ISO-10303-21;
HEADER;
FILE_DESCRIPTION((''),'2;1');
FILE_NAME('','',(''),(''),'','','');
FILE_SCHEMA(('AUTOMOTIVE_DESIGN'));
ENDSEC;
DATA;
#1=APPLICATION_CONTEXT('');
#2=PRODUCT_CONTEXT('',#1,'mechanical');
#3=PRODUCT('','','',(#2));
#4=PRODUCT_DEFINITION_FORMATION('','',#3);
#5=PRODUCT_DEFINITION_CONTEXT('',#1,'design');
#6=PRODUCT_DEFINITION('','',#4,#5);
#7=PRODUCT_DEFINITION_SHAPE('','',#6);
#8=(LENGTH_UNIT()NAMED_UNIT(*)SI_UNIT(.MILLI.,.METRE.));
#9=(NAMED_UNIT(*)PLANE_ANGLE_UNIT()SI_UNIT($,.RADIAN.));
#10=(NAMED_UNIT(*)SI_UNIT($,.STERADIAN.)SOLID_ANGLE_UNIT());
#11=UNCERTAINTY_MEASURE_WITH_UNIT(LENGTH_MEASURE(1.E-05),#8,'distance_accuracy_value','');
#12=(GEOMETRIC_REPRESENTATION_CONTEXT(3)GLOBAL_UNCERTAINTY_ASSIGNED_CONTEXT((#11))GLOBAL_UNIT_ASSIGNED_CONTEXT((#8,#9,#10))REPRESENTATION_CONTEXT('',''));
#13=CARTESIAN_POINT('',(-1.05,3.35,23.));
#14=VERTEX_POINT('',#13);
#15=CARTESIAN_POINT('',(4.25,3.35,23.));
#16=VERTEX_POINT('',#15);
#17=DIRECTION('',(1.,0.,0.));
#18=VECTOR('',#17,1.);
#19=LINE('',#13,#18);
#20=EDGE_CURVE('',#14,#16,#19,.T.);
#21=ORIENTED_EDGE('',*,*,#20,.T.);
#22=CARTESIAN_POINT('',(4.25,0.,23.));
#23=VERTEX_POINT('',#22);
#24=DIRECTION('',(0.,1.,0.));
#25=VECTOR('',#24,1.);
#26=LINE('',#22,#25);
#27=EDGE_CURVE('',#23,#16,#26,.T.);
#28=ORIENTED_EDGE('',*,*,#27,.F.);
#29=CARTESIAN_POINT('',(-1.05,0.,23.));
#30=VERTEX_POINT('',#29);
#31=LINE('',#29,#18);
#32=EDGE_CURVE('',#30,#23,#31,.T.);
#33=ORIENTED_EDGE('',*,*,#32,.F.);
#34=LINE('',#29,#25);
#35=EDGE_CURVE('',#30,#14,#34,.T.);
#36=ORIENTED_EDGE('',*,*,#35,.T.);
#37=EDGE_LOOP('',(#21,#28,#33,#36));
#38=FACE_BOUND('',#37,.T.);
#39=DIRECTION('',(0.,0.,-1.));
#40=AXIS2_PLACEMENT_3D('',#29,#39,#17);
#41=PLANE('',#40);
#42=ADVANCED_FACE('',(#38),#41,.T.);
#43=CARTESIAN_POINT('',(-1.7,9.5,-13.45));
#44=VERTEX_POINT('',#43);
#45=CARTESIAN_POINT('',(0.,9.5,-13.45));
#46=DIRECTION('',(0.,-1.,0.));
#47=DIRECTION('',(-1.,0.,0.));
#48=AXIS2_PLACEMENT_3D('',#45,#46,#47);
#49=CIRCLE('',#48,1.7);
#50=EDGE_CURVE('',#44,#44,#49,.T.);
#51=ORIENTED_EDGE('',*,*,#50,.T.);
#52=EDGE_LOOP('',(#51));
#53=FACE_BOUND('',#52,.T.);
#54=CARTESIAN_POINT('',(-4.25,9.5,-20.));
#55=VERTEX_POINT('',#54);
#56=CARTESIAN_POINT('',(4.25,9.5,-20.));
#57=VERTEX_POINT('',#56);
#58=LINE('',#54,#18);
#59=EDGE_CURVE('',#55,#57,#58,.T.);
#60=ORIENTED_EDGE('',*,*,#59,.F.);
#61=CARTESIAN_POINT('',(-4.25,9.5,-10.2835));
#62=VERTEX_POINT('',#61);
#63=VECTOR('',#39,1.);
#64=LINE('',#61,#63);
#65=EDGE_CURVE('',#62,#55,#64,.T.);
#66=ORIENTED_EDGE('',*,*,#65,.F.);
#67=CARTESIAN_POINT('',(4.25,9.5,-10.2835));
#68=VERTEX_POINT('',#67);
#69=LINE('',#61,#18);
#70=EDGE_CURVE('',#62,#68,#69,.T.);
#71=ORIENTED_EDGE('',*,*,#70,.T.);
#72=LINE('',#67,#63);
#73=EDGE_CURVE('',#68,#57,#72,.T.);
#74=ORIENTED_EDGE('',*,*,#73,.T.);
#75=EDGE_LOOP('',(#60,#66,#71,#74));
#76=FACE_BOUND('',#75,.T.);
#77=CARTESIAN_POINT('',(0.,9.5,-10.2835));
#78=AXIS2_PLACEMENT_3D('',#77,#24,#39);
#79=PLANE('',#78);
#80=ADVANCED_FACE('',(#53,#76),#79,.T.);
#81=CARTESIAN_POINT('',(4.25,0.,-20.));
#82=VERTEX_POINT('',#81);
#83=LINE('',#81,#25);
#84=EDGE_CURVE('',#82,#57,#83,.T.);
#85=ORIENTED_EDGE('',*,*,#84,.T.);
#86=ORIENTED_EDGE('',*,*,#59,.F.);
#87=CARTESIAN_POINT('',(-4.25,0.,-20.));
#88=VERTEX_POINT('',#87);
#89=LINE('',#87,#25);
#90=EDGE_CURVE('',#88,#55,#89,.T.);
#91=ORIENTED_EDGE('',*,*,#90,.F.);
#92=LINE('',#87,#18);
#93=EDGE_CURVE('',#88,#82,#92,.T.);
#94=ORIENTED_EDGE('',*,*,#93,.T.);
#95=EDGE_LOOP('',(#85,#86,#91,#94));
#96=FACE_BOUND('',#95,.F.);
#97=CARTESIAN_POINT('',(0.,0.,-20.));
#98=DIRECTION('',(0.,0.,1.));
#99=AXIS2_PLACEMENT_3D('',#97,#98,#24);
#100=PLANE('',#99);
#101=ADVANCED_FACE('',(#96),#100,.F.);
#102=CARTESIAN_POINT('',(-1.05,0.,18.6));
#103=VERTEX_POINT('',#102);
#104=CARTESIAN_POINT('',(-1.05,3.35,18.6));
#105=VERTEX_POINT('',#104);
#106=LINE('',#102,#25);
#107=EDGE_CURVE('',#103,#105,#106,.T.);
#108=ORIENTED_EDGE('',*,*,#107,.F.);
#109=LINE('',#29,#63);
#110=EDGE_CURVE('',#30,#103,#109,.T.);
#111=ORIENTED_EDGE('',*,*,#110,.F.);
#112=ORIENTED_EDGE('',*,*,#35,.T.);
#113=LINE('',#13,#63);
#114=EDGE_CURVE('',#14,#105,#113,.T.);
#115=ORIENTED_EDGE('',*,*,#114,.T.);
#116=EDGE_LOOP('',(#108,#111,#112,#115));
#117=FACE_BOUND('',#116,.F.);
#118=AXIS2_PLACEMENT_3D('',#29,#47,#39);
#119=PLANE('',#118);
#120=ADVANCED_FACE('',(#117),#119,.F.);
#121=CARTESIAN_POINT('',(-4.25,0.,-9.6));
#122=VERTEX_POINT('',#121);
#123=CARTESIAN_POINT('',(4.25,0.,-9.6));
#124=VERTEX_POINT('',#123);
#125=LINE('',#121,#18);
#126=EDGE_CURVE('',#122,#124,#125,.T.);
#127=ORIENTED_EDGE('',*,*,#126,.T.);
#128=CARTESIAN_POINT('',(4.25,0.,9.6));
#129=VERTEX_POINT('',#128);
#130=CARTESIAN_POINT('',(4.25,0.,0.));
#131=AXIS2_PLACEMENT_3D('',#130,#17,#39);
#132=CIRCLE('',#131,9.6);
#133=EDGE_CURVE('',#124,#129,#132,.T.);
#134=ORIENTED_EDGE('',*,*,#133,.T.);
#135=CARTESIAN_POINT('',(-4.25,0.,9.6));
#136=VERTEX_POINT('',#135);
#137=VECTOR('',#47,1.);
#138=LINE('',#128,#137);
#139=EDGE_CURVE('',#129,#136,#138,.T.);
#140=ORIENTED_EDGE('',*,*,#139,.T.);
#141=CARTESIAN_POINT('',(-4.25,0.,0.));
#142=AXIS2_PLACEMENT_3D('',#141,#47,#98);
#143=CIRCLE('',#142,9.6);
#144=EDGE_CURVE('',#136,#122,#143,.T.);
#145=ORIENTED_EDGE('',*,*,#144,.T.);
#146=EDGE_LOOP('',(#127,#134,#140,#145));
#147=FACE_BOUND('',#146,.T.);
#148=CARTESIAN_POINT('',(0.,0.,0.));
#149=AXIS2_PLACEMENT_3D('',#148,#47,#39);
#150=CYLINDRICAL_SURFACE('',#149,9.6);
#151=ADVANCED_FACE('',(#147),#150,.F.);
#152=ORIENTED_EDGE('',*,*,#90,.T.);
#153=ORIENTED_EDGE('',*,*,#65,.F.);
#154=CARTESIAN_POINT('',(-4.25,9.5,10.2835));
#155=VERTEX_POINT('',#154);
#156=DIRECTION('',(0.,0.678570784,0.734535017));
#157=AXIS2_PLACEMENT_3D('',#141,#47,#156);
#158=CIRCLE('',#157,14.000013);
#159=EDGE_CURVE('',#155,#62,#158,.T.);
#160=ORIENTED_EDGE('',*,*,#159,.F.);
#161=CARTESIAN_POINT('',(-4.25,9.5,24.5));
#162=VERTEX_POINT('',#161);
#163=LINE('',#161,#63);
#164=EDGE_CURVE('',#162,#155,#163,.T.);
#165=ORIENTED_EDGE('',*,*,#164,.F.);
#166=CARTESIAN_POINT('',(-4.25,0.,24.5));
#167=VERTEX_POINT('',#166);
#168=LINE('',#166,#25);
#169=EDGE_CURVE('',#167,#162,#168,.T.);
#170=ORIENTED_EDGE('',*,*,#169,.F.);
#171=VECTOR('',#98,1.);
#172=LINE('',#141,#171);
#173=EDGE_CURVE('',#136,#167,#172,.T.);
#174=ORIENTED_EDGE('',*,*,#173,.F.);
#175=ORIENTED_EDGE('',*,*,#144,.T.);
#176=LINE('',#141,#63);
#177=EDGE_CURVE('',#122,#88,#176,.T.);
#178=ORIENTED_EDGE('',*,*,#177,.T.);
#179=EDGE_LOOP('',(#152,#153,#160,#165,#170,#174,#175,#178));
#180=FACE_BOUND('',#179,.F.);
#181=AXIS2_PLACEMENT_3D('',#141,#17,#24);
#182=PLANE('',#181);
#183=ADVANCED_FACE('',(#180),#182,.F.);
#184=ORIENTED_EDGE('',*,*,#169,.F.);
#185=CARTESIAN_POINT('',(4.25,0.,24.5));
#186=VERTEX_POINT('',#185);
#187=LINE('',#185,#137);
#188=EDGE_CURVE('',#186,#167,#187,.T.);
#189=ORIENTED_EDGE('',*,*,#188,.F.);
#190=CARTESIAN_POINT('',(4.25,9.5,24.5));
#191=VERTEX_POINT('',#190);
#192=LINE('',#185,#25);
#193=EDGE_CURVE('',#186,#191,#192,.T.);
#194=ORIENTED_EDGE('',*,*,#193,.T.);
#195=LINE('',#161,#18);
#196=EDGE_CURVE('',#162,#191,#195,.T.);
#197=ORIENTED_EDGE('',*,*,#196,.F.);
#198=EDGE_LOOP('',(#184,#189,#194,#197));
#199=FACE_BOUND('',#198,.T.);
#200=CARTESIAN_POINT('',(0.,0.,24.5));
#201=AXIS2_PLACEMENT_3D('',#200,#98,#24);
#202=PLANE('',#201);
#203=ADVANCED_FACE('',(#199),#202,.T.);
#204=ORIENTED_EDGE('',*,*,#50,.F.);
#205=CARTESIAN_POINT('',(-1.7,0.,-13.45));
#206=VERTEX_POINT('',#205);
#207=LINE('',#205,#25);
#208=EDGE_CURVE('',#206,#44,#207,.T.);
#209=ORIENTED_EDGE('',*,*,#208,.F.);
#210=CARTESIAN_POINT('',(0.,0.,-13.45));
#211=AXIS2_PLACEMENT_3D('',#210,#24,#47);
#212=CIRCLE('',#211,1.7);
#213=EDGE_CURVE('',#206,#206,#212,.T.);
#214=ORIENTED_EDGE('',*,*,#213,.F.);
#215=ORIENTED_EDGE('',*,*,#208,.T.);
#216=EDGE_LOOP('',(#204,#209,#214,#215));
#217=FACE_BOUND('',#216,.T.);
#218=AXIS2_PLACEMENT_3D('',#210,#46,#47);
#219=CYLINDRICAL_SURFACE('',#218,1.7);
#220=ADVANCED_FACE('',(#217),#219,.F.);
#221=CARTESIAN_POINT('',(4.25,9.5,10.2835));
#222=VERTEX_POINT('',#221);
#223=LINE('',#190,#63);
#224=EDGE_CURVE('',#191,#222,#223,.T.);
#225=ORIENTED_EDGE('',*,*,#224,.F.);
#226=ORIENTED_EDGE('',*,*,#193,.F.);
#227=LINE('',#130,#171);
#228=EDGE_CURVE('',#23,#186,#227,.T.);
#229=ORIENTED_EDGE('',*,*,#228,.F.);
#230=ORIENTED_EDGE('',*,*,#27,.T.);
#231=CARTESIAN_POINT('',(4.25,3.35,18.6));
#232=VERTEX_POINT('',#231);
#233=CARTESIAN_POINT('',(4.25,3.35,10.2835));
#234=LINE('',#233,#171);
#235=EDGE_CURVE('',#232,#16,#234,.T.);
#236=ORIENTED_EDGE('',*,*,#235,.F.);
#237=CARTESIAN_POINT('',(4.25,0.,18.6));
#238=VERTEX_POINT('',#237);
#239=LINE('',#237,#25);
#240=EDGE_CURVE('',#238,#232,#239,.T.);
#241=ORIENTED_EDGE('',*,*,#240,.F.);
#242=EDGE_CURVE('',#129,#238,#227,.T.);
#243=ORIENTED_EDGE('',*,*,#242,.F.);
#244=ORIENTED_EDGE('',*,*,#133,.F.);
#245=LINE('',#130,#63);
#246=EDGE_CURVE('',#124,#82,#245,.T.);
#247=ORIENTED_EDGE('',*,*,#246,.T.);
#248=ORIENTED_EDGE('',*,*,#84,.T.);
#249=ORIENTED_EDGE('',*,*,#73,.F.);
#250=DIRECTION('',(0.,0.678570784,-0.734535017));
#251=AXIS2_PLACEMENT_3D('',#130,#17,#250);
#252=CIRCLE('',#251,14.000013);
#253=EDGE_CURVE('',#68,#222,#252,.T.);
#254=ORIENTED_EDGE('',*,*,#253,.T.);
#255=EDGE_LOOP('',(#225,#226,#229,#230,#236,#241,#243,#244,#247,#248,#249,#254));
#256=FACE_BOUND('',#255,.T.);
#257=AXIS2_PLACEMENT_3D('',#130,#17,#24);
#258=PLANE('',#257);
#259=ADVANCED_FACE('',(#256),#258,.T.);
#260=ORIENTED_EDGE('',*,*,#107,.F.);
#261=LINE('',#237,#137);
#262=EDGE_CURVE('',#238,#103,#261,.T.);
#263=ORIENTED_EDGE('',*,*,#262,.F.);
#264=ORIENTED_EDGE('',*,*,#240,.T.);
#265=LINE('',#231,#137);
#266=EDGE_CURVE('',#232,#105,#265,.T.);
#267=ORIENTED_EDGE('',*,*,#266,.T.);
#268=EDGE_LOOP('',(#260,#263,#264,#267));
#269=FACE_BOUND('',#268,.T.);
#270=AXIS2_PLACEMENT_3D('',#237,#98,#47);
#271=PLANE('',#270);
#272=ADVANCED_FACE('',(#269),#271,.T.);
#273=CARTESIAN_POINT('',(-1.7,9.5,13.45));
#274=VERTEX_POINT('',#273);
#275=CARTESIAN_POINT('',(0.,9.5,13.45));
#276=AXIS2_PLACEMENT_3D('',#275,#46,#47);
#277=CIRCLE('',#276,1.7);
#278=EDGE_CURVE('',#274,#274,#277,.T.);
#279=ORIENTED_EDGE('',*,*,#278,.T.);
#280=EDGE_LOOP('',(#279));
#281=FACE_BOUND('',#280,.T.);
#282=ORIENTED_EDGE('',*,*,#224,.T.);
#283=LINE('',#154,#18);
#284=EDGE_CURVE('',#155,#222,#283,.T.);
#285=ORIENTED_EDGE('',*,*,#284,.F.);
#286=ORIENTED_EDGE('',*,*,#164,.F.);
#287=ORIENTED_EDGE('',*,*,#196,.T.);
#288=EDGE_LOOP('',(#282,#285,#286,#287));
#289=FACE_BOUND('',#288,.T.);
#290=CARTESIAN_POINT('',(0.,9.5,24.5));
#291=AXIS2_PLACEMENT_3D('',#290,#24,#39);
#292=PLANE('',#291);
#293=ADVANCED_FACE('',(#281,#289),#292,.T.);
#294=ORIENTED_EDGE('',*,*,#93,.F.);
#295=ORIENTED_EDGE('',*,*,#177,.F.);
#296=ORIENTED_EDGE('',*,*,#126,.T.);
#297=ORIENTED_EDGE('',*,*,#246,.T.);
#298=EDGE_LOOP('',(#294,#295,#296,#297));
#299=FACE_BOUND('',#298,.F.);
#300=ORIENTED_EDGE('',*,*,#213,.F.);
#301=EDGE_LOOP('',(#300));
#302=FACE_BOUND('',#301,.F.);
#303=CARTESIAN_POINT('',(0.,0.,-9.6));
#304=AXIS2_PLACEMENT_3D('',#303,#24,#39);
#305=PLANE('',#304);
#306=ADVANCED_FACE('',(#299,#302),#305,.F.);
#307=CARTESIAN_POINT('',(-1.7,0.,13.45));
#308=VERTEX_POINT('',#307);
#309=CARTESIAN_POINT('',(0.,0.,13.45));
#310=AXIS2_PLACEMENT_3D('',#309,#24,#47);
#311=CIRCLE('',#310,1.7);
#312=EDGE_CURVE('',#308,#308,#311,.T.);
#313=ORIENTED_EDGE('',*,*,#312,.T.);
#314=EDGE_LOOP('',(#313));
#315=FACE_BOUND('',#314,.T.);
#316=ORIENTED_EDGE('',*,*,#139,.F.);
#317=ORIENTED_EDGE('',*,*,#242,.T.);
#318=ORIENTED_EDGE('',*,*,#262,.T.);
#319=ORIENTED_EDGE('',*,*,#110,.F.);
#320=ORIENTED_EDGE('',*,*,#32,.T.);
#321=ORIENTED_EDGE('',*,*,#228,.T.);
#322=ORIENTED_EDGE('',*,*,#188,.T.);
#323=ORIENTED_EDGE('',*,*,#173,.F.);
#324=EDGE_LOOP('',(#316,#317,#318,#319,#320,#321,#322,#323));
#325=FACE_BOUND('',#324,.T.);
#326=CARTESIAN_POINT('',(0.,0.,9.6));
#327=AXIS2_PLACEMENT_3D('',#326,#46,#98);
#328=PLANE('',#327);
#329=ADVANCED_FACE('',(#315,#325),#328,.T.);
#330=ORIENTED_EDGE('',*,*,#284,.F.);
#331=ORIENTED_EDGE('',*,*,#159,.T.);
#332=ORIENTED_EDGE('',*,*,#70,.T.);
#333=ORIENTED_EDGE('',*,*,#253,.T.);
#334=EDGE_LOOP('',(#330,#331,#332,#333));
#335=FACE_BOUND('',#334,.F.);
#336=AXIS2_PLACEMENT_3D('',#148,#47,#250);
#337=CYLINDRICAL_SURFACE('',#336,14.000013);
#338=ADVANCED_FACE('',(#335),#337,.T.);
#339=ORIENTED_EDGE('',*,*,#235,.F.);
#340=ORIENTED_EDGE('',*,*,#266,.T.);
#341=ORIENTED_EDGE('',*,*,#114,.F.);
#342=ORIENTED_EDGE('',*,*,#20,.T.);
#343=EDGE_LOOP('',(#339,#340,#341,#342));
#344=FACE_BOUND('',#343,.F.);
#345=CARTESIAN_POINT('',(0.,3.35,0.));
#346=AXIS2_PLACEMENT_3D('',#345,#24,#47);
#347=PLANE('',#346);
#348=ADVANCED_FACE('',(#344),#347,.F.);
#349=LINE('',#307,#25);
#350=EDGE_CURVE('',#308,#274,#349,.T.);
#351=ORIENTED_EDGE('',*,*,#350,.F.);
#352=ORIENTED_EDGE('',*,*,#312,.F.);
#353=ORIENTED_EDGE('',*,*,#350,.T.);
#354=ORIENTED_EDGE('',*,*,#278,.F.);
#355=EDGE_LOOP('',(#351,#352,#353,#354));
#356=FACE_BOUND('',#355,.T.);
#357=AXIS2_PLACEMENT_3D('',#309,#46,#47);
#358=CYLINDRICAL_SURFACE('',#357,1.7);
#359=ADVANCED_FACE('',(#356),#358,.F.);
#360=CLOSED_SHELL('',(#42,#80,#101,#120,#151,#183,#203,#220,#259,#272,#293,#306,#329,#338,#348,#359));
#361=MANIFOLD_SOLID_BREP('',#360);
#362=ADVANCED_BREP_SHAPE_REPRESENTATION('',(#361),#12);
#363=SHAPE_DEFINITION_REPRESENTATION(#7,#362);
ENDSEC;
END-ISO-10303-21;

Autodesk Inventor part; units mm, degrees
ref_plane "YZ Plane" through (0, 0, 0) normal (1, 0, 0) x (0, 1, 0)
ref_plane "XZ Plane" through (0, 0, 0) normal (0, 1, 0) x (-1, 0, 0)
ref_plane "XY Plane" through (0, 0, 0) normal (0, 0, 1) x (1, 0, 0)
sketch "Skizze10" plane through (0, 0, 0) normal (1, 0, 0) x (0, 1, 0)
  arc A0 (0, -9.6) -> (0, 9.6) centre (0, 0) ccw
  line L0 (0, 0) -> (0, -20)
  line L1 (0, 0) -> (0, 24.5)
  line L2 (-2.8, 0) -> (16.8, 0) projected
  line L3 (0, 24.5) -> (9.5, 24.5)
  line L4 (9.5, 24.5) -> (9.5, 10.2835)
  arc A1 (9.5, -10.2835) -> (9.5, 10.2835) centre (0, 0) ccw
  line L5 (9.5, -10.2835) -> (9.5, -20)
  line L6 (0, -20) -> (9.5, -20)
  point P0 (0, 9.6)
  dimension "d79" = 9.6
  dimension "d80" = 20
  dimension "d81" = 24.5
  dimension "d84" = 9.5
  dimension "d85" = 14
extrude "Extrusion9" add sketch "Skizze10" along normal mid plane 8.5 contours A0 L2 A1 L5 L6 L0 | A0 L1 L3 L4 A1 L2
sketch "Skizze11" plane through (0, 0, 0) normal (0, 1, 0) x (-1, 0, 0)
  circle A0 centre (0, -13.45) radius 1.7
  circle A1 centre (0, 13.45) radius 1.7
  line L0 (-4.25, -20) -> (-4.25, -10.2835) projected
  line L1 (0, -27.03) -> (0, 22.18) projected
  point P0 (0, 0)
  dimension "d88" = 13.45
  dimension "d89" = 13.45
  dimension "d90" = 3.4
  dimension "d91" = 3.4
extrude "Extrusion10" cut sketch "Skizze11" along normal through all
sketch "Skizze12" plane through (0, 0, 0) normal (0, 1, 0) x (-1, 0, 0)
  line L0 (1.05, 23) -> (-4.25, 23)
  line L1 (-4.25, 18.6) -> (1.05, 18.6)
  line L2 (2.11, 0) -> (-5.31, 0) projected
  line L3 (-4.25, 10.2835) -> (-4.25, 24.5) projected
  line L4 (1.05, 23) -> (1.05, 18.6)
  point P0 (0, 0)
  dimension "d94" = 4.4
  dimension "d95" = 5.3
  dimension "d99" = 18.6
extrude "Extrusion11" cut sketch "Skizze12" along normal blind 3.35
properties part number "Lagerhalter2"
